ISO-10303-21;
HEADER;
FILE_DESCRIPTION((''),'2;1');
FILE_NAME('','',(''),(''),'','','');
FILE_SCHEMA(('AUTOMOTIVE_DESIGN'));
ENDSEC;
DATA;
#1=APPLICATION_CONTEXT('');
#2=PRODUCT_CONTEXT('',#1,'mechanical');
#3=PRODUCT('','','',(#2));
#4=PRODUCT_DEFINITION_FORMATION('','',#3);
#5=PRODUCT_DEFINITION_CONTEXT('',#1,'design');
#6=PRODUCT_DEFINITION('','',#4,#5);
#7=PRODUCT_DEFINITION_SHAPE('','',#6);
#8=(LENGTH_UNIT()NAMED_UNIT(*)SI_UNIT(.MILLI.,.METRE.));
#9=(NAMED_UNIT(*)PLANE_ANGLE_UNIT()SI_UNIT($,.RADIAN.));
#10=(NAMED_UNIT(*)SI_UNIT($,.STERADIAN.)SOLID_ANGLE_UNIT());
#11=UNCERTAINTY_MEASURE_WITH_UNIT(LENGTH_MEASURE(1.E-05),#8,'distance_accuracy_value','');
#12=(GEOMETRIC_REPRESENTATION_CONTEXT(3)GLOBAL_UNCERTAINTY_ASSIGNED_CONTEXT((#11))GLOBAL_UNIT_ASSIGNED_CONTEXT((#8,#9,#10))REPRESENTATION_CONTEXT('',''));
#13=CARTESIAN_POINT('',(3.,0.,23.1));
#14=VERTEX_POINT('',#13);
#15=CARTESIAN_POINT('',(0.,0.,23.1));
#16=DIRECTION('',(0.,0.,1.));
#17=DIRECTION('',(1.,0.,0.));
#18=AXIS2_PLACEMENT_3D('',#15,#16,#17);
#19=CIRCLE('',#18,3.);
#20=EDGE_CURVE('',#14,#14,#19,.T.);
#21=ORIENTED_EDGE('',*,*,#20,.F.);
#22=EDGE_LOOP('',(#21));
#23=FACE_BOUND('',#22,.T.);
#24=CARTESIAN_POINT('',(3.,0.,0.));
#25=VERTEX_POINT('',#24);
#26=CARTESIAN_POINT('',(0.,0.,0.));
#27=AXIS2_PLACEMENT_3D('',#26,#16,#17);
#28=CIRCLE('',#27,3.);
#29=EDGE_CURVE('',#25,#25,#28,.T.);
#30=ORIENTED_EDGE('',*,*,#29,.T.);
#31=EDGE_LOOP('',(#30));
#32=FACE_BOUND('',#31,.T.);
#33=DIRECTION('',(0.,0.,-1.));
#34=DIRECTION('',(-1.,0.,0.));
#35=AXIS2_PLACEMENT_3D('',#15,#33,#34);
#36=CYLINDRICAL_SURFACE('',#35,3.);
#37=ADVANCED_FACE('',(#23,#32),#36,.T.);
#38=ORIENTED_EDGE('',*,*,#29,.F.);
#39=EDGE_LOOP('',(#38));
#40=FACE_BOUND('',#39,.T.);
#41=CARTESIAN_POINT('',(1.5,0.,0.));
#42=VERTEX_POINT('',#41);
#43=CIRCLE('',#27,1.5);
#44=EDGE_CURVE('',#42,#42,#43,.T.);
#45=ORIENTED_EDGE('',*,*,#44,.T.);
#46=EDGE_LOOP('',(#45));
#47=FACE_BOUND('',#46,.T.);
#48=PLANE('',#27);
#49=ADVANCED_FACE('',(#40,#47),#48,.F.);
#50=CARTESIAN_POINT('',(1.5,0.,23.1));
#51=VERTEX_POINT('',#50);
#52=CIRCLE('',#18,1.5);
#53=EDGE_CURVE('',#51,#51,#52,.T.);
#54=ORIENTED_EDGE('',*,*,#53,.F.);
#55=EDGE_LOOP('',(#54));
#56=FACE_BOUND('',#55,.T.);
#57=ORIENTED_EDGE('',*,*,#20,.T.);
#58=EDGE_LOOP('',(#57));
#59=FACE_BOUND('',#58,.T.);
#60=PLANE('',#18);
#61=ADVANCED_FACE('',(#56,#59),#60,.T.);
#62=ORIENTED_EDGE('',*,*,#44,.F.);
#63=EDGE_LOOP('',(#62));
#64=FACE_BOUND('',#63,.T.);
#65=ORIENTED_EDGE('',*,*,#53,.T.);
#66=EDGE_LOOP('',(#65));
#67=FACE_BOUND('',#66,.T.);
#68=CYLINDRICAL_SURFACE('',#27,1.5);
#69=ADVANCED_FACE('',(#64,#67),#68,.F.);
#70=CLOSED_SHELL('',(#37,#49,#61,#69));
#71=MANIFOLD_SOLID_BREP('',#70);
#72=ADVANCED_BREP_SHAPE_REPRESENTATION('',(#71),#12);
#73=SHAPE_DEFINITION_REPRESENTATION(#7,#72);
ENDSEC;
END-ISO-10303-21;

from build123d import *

# Parameters (mm, degrees)
SKETCH_1_R          = 3
EXTRUDE_1_DEPTH     = 23.1
SKETCH_2_R          = 1.5
CUT_EXTRUDE_1_DEPTH = 24.486379031


with BuildPart() as part:
    # 草图1 → 凸台-拉伸1 (new body)
    with BuildSketch(Plane.XY):
        Circle(SKETCH_1_R)
    extrude(amount=EXTRUDE_1_DEPTH)

    # 草图2 → 切除-拉伸1 (cut, through all)
    with BuildSketch(Plane.XY.offset(23.1)):
        Circle(SKETCH_2_R)
    extrude(amount=-CUT_EXTRUDE_1_DEPTH, mode=Mode.SUBTRACT)


solid = part.part
